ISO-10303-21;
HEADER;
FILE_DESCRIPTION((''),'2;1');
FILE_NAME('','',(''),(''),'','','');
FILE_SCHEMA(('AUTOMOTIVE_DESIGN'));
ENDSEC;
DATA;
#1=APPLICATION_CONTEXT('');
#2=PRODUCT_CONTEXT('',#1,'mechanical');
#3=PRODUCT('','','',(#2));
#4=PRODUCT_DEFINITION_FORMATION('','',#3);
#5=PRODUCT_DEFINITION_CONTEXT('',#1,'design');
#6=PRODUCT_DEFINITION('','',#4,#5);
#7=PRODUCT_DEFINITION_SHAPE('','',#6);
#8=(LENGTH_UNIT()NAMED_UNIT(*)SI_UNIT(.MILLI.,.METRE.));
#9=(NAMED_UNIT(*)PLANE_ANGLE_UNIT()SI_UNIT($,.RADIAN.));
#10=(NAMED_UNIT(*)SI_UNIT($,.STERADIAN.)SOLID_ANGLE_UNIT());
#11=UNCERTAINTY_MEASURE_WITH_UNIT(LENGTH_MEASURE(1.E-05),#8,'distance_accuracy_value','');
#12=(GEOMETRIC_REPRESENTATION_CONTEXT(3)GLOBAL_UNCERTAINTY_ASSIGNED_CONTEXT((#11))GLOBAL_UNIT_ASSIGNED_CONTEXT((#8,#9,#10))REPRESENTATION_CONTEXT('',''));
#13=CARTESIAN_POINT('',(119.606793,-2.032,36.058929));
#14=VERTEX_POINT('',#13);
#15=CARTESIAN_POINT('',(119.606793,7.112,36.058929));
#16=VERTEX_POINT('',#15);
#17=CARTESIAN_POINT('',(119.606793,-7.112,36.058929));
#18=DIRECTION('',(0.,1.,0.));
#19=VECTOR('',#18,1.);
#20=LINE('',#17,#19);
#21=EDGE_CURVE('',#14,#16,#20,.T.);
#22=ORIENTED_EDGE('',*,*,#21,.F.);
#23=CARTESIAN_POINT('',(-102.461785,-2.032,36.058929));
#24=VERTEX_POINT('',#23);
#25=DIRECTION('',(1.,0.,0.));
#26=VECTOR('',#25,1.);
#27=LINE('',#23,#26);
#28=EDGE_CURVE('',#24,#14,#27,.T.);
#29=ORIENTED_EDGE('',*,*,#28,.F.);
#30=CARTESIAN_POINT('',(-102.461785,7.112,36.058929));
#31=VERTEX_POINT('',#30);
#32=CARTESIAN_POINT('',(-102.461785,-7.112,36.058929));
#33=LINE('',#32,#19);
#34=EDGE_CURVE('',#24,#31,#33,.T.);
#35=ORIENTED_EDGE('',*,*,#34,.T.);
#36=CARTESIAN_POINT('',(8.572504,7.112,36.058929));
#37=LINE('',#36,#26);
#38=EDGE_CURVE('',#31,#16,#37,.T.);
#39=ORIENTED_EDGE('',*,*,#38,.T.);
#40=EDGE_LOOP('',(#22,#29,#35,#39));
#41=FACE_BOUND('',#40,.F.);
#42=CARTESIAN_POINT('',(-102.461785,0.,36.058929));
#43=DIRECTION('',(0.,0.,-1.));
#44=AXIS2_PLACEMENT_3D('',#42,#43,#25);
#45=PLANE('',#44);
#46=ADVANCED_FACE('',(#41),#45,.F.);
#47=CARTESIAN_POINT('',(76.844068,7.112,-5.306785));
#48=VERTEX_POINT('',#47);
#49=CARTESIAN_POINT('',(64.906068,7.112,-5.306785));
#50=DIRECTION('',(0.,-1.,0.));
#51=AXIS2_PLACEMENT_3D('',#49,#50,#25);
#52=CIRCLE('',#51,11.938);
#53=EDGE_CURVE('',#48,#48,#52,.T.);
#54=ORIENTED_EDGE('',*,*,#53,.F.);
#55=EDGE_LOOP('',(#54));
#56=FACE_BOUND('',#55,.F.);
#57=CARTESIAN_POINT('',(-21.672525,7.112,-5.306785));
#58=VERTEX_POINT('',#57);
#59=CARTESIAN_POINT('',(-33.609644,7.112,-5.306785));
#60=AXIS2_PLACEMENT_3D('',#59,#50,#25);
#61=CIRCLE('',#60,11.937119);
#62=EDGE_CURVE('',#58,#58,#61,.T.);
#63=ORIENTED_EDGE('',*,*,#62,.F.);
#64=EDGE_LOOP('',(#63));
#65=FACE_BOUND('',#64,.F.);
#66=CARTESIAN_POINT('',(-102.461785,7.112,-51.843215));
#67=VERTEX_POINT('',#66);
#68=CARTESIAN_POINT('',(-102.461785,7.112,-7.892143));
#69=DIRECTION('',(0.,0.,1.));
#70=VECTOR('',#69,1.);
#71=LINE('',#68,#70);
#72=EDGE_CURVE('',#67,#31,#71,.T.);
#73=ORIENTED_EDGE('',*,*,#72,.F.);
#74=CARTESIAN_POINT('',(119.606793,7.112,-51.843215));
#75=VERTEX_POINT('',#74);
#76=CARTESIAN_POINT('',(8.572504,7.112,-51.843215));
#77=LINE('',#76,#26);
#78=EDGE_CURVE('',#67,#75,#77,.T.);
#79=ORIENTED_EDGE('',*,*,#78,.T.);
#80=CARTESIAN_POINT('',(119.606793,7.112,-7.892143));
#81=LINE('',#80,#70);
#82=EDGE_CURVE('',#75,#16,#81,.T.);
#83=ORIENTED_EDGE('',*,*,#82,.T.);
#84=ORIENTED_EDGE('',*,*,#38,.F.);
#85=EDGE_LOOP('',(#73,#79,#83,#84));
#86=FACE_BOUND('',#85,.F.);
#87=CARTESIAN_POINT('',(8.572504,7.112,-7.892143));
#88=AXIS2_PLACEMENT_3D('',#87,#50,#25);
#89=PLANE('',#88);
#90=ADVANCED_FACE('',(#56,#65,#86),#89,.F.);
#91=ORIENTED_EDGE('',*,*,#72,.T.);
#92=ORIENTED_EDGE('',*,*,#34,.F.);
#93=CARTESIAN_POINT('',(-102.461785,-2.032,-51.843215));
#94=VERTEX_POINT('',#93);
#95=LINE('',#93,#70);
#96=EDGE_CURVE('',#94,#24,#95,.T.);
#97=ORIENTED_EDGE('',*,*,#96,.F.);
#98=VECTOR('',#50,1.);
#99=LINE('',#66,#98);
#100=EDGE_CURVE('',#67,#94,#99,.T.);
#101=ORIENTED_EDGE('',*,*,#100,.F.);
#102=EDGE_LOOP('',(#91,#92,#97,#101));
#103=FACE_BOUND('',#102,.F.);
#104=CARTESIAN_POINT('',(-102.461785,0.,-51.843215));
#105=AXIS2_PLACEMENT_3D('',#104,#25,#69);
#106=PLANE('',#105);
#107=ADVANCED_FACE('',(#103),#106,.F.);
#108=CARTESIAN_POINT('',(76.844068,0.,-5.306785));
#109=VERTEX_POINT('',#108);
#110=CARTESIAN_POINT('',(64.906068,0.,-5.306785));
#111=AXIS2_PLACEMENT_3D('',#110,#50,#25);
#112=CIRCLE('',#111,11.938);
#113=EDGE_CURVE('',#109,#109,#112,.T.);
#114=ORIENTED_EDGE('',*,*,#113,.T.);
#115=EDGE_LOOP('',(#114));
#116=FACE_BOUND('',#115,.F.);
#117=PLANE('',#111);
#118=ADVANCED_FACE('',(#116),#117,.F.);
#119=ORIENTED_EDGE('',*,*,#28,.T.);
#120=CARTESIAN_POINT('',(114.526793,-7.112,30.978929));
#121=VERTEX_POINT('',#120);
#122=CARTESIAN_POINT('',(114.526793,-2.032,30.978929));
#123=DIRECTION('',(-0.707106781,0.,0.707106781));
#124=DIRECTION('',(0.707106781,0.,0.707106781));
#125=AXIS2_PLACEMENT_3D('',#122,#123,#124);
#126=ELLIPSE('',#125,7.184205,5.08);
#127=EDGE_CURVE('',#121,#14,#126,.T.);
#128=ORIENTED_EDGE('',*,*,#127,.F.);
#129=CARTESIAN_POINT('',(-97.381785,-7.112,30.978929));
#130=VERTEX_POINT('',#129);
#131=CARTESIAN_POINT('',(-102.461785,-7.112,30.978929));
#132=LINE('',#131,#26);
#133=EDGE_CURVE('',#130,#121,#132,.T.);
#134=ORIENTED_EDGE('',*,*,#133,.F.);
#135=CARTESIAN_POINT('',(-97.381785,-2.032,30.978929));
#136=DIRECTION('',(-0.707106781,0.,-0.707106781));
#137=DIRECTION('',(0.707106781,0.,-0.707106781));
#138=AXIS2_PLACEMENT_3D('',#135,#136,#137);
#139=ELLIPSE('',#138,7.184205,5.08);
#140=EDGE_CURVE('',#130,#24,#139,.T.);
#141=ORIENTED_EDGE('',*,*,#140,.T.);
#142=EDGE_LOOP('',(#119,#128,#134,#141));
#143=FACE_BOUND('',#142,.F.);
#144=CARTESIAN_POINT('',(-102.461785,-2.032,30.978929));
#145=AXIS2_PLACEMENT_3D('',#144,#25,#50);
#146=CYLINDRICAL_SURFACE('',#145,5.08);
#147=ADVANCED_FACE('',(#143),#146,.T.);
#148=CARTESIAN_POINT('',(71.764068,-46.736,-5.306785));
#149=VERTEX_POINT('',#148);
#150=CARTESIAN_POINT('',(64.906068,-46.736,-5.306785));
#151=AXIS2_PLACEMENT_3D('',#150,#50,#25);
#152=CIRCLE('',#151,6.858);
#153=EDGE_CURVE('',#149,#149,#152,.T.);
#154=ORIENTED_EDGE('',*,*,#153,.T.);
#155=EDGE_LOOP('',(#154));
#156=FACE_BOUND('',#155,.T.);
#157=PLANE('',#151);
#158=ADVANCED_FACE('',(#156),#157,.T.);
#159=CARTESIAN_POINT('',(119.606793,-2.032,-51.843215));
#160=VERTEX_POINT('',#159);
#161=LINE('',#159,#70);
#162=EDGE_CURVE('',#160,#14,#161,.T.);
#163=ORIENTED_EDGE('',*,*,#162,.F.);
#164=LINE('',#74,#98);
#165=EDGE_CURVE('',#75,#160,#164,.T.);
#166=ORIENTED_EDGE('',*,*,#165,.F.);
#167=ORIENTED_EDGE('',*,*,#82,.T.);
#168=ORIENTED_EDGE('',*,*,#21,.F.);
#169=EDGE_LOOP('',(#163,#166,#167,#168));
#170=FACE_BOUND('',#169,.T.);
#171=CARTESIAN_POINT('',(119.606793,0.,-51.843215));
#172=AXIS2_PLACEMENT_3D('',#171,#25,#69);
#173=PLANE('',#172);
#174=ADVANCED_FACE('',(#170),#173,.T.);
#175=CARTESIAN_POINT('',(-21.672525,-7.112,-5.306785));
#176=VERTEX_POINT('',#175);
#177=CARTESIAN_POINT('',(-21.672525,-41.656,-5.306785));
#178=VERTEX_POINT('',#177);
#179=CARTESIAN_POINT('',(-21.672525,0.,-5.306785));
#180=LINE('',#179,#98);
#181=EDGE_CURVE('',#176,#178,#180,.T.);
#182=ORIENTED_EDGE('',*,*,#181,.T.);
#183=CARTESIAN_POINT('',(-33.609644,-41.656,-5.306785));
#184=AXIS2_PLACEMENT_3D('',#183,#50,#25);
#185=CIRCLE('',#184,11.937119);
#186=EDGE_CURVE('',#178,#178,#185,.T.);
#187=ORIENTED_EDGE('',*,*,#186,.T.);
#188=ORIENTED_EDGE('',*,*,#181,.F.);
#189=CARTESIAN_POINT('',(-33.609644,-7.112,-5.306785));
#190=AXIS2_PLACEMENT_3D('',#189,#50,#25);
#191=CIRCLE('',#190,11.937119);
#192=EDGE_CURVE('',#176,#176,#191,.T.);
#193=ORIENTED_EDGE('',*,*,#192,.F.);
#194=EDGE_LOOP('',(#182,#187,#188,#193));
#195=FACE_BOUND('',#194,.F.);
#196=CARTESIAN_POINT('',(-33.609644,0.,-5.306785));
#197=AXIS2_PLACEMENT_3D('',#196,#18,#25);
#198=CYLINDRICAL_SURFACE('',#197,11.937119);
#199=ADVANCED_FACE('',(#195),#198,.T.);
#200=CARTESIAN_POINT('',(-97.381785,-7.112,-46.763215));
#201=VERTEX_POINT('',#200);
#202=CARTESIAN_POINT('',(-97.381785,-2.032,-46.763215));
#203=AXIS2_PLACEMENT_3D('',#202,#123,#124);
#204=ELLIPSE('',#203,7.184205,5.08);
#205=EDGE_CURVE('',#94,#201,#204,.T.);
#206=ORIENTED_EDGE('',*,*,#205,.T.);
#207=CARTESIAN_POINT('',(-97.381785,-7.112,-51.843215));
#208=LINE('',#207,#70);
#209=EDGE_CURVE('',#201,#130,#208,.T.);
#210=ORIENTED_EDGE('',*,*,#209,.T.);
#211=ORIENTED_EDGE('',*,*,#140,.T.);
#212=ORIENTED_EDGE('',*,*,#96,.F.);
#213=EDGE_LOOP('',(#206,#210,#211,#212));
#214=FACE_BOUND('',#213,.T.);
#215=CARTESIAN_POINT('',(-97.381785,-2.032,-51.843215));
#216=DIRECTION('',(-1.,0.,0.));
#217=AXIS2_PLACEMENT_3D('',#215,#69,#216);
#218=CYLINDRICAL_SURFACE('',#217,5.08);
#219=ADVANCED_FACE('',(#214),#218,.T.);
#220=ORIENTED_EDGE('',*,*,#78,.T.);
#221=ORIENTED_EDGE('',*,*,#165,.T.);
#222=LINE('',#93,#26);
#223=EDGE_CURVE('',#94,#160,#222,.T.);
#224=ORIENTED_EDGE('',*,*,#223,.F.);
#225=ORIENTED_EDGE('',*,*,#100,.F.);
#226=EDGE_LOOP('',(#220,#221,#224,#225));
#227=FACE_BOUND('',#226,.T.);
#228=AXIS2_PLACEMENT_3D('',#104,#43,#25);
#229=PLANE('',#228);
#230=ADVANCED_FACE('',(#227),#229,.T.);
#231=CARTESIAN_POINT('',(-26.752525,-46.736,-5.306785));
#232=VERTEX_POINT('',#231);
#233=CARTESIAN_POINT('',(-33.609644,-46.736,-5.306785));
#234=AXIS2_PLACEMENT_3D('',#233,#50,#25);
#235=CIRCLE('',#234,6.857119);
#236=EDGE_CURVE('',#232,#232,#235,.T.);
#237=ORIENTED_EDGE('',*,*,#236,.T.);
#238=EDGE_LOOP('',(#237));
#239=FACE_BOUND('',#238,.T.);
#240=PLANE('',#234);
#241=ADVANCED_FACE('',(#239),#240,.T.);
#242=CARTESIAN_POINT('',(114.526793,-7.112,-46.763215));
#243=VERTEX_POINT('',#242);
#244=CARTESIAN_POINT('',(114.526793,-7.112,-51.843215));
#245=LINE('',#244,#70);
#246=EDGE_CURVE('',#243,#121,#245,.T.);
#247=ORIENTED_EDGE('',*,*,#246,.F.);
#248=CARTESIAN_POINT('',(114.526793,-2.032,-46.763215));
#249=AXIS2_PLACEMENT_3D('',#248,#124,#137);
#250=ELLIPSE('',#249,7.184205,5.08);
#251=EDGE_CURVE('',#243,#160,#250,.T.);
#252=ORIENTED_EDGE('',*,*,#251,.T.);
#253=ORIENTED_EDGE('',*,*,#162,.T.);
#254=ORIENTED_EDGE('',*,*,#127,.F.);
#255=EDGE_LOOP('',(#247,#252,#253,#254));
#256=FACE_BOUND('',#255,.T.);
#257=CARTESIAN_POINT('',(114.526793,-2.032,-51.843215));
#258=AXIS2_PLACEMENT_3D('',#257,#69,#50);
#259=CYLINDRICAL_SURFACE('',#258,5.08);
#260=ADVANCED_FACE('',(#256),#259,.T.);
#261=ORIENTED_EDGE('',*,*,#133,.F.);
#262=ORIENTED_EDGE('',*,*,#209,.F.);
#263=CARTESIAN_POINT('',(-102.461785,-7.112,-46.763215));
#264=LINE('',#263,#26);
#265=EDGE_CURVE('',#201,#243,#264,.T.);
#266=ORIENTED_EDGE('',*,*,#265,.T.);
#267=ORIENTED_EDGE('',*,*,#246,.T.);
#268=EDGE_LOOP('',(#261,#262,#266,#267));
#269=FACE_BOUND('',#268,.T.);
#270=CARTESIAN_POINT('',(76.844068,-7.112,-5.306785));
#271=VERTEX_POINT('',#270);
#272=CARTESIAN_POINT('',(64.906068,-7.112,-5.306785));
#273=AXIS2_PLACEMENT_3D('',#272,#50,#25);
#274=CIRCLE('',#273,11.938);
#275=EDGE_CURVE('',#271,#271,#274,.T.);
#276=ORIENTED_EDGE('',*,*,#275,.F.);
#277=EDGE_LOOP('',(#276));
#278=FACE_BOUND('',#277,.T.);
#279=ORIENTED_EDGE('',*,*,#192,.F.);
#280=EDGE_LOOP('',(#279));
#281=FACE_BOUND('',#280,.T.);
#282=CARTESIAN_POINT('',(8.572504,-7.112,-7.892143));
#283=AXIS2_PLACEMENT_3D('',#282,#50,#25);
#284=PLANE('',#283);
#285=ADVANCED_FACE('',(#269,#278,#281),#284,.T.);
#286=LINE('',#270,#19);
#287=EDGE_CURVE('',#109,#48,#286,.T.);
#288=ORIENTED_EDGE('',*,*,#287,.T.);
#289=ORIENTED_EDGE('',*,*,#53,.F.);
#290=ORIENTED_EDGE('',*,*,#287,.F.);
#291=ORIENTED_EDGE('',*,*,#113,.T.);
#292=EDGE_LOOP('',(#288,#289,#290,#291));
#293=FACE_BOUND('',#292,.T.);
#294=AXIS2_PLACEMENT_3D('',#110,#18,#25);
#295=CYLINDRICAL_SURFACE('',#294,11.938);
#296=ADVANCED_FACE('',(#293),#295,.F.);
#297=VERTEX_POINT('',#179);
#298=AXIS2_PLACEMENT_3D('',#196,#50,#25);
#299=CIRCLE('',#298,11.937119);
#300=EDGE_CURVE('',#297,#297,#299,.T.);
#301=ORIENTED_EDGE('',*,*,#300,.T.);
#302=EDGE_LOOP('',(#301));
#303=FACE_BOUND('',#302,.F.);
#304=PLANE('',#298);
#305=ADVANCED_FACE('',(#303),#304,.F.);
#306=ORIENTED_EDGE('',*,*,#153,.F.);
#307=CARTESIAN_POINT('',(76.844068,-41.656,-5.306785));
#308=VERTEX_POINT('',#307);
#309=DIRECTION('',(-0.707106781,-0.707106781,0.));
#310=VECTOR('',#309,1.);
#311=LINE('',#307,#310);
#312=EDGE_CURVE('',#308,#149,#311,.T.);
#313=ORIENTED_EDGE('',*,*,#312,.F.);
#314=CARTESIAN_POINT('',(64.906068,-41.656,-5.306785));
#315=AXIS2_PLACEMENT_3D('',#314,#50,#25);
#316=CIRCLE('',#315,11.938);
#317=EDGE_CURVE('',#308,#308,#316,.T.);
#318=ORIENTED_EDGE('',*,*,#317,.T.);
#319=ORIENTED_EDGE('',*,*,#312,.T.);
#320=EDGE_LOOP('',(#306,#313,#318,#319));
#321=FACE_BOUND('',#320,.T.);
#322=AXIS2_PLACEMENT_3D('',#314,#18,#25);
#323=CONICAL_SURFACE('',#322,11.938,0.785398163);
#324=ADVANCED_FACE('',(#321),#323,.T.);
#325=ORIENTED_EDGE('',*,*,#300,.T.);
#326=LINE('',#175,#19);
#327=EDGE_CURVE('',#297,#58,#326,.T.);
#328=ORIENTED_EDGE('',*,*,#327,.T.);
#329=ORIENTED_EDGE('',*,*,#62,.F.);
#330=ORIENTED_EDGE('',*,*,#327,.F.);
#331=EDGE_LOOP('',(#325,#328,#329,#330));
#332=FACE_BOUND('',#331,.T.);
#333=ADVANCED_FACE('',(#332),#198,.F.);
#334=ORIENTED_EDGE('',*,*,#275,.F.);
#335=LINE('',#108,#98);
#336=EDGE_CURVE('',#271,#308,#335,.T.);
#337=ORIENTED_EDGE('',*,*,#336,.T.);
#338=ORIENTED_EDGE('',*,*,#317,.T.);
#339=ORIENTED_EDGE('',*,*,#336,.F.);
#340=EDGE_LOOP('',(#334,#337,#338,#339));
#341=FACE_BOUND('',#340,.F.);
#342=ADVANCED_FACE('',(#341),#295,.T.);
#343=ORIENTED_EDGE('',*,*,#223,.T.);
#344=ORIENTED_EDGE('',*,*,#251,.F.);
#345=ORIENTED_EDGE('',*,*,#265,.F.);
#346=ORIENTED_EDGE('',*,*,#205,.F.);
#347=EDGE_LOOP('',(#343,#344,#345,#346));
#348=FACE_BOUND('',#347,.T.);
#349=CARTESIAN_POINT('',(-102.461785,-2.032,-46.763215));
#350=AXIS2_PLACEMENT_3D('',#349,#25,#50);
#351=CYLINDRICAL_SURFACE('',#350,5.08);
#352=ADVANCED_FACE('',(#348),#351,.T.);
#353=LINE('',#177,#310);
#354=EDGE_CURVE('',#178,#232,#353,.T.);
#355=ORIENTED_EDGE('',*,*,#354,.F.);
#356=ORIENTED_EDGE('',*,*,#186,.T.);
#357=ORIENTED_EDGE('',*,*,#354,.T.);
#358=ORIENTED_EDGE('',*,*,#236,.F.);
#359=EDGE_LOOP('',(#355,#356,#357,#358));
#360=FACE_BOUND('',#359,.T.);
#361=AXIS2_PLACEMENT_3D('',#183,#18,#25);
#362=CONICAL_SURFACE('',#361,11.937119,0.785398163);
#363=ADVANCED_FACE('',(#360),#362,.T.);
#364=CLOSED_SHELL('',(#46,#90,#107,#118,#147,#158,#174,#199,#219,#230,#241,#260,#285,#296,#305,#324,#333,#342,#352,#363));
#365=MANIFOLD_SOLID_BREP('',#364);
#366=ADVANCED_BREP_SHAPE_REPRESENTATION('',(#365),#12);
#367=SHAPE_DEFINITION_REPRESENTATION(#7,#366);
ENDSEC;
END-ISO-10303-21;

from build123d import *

# Parameters (mm, degrees)
F0_W     = 222.068578
F0_H     = 87.902144
F0_R     = 11.937119
F0_R_2   = 11.938
F1_DEPTH = 7.112
F2_R     = 5.08
F3_DEPTH = 46.736
F4_SIZE  = 5.08


with BuildPart() as f1:
    # F0 (on Front) → F1 (new body, symmetric)
    with BuildSketch(Plane.XZ):
        with Locations((8.572504, -7.892143)):
            Rectangle(F0_W, F0_H)
        with Locations((-33.609644, -5.306785)):
            Circle(F0_R, mode=Mode.SUBTRACT)
        with Locations((64.906068, -5.306785)):
            Circle(F0_R_2, mode=Mode.SUBTRACT)
    extrude(amount=F1_DEPTH, both=True)

    # F2
    f2_edges = [f1.edges().sort_by_distance(p)[0] for p in [
        (8.572504, -7.112, 36.058929),
        (-102.461785, -7.112, -7.892143),
        (8.572504, -7.112, -51.843215),
        (119.606793, -7.112, -7.892143),
    ]]
    fillet(f2_edges, radius=F2_R)

    # F0 (on Front) → F3 (join)
    with BuildSketch(Plane.XZ):
        with Locations((64.906068, -5.306785)):
            Circle(F0_R_2)
        with Locations((-33.609644, -5.306785)):
            Circle(F0_R)
    extrude(amount=F3_DEPTH)

    # F4
    f4_edges = [f1.edges().sort_by_distance(p)[0] for p in [
        (-45.546762, -46.736, -5.306785),
        (52.968068, -46.736, -5.306785),
    ]]
    chamfer(f4_edges, length=F4_SIZE)


solid = f1.part
